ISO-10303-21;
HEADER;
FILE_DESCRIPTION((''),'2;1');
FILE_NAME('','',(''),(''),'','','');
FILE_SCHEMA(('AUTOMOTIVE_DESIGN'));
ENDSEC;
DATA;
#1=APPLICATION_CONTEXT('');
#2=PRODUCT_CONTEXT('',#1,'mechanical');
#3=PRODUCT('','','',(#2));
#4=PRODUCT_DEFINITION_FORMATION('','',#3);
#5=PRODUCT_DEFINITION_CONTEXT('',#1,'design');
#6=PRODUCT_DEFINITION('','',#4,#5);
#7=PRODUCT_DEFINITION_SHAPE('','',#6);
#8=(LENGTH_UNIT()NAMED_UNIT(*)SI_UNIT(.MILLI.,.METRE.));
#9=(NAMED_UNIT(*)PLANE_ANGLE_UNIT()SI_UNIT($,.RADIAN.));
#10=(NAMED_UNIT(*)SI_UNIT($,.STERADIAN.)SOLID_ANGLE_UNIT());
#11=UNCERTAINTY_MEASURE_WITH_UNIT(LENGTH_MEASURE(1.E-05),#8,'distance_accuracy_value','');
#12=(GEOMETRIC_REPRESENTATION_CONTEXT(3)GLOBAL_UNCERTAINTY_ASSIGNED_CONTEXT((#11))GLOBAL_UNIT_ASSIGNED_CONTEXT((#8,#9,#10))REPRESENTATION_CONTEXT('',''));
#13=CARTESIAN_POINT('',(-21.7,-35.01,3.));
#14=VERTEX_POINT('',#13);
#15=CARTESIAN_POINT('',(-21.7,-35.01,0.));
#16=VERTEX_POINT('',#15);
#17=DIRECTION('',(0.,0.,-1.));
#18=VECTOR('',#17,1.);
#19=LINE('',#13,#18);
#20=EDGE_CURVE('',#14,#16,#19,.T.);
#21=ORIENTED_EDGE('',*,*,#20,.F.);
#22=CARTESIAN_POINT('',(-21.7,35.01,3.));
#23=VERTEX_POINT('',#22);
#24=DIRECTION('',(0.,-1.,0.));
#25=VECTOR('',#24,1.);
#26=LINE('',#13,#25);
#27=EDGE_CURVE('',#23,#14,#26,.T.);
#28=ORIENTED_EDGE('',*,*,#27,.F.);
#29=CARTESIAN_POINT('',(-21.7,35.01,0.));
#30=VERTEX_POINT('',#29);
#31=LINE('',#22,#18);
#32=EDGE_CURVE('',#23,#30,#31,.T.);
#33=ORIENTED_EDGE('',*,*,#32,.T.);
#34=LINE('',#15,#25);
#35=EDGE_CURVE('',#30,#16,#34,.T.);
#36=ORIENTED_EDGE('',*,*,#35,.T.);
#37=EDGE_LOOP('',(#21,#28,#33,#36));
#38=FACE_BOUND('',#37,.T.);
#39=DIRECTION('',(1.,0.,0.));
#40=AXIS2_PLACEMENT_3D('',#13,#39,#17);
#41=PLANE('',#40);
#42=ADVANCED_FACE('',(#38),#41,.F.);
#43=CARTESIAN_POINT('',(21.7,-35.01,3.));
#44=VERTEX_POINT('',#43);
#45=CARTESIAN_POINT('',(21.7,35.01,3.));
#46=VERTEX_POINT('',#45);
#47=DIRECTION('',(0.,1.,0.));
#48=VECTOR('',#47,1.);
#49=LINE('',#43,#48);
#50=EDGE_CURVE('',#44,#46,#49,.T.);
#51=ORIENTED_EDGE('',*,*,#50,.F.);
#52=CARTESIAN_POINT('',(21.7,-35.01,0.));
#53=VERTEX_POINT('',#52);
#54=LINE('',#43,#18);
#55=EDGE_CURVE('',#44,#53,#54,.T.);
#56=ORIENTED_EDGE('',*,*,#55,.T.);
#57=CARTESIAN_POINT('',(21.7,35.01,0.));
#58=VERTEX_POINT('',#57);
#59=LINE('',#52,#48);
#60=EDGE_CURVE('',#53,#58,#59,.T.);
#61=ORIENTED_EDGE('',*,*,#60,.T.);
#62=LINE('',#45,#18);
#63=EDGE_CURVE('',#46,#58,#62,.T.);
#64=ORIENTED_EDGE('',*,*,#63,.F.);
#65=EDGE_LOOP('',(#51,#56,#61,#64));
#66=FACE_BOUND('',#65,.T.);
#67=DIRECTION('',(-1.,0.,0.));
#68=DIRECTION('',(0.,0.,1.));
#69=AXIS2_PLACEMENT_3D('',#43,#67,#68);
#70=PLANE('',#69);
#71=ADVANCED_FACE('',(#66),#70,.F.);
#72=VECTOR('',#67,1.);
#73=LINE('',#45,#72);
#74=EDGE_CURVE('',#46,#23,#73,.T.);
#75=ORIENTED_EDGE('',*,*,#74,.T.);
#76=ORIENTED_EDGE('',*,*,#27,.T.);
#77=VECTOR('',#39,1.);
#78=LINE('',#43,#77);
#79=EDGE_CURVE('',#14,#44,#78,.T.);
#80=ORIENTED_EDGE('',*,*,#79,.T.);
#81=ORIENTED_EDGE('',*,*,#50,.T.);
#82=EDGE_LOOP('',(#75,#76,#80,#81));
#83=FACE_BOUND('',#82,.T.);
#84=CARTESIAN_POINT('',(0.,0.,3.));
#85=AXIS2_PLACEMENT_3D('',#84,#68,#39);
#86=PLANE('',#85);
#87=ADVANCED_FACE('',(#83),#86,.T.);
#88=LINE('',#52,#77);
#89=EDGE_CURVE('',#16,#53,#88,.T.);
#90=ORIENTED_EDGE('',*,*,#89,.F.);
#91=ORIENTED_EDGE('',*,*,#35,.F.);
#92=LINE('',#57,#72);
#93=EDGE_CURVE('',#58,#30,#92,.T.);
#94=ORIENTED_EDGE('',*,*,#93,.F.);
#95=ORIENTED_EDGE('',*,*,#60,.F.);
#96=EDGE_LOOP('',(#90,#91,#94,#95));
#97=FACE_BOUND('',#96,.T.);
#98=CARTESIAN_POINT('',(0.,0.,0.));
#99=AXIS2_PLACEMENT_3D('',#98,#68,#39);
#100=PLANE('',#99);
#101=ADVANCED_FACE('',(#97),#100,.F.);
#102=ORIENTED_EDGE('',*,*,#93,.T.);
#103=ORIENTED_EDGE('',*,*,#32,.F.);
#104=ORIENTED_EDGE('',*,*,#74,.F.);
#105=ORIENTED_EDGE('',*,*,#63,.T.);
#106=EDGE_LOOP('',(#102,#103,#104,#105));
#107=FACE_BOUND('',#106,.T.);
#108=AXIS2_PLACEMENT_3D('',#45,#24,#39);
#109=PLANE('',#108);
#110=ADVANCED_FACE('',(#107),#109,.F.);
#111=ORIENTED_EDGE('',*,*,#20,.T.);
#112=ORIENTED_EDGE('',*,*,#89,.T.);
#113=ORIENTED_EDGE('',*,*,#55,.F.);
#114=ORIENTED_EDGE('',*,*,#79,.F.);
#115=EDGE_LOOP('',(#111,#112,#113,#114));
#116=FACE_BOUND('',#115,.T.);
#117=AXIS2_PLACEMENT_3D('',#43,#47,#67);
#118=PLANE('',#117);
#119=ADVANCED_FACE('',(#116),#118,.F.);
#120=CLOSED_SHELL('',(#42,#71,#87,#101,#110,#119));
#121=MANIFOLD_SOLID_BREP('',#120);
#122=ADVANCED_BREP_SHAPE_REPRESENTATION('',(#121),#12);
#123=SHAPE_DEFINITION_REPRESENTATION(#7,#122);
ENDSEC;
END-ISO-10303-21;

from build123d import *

# Parameters (mm, degrees)
SKETCH_1_W      = 43.4
SKETCH_1_H      = 70.02
EXTRUDE_1_DEPTH = 3


with BuildPart() as part:
    # ｽｹｯﾁ1 → ﾎﾞｽ - 押し出し1 (new body)
    with BuildSketch(Plane.XY):
        Rectangle(SKETCH_1_W, SKETCH_1_H)
    extrude(amount=EXTRUDE_1_DEPTH)


solid = part.part
